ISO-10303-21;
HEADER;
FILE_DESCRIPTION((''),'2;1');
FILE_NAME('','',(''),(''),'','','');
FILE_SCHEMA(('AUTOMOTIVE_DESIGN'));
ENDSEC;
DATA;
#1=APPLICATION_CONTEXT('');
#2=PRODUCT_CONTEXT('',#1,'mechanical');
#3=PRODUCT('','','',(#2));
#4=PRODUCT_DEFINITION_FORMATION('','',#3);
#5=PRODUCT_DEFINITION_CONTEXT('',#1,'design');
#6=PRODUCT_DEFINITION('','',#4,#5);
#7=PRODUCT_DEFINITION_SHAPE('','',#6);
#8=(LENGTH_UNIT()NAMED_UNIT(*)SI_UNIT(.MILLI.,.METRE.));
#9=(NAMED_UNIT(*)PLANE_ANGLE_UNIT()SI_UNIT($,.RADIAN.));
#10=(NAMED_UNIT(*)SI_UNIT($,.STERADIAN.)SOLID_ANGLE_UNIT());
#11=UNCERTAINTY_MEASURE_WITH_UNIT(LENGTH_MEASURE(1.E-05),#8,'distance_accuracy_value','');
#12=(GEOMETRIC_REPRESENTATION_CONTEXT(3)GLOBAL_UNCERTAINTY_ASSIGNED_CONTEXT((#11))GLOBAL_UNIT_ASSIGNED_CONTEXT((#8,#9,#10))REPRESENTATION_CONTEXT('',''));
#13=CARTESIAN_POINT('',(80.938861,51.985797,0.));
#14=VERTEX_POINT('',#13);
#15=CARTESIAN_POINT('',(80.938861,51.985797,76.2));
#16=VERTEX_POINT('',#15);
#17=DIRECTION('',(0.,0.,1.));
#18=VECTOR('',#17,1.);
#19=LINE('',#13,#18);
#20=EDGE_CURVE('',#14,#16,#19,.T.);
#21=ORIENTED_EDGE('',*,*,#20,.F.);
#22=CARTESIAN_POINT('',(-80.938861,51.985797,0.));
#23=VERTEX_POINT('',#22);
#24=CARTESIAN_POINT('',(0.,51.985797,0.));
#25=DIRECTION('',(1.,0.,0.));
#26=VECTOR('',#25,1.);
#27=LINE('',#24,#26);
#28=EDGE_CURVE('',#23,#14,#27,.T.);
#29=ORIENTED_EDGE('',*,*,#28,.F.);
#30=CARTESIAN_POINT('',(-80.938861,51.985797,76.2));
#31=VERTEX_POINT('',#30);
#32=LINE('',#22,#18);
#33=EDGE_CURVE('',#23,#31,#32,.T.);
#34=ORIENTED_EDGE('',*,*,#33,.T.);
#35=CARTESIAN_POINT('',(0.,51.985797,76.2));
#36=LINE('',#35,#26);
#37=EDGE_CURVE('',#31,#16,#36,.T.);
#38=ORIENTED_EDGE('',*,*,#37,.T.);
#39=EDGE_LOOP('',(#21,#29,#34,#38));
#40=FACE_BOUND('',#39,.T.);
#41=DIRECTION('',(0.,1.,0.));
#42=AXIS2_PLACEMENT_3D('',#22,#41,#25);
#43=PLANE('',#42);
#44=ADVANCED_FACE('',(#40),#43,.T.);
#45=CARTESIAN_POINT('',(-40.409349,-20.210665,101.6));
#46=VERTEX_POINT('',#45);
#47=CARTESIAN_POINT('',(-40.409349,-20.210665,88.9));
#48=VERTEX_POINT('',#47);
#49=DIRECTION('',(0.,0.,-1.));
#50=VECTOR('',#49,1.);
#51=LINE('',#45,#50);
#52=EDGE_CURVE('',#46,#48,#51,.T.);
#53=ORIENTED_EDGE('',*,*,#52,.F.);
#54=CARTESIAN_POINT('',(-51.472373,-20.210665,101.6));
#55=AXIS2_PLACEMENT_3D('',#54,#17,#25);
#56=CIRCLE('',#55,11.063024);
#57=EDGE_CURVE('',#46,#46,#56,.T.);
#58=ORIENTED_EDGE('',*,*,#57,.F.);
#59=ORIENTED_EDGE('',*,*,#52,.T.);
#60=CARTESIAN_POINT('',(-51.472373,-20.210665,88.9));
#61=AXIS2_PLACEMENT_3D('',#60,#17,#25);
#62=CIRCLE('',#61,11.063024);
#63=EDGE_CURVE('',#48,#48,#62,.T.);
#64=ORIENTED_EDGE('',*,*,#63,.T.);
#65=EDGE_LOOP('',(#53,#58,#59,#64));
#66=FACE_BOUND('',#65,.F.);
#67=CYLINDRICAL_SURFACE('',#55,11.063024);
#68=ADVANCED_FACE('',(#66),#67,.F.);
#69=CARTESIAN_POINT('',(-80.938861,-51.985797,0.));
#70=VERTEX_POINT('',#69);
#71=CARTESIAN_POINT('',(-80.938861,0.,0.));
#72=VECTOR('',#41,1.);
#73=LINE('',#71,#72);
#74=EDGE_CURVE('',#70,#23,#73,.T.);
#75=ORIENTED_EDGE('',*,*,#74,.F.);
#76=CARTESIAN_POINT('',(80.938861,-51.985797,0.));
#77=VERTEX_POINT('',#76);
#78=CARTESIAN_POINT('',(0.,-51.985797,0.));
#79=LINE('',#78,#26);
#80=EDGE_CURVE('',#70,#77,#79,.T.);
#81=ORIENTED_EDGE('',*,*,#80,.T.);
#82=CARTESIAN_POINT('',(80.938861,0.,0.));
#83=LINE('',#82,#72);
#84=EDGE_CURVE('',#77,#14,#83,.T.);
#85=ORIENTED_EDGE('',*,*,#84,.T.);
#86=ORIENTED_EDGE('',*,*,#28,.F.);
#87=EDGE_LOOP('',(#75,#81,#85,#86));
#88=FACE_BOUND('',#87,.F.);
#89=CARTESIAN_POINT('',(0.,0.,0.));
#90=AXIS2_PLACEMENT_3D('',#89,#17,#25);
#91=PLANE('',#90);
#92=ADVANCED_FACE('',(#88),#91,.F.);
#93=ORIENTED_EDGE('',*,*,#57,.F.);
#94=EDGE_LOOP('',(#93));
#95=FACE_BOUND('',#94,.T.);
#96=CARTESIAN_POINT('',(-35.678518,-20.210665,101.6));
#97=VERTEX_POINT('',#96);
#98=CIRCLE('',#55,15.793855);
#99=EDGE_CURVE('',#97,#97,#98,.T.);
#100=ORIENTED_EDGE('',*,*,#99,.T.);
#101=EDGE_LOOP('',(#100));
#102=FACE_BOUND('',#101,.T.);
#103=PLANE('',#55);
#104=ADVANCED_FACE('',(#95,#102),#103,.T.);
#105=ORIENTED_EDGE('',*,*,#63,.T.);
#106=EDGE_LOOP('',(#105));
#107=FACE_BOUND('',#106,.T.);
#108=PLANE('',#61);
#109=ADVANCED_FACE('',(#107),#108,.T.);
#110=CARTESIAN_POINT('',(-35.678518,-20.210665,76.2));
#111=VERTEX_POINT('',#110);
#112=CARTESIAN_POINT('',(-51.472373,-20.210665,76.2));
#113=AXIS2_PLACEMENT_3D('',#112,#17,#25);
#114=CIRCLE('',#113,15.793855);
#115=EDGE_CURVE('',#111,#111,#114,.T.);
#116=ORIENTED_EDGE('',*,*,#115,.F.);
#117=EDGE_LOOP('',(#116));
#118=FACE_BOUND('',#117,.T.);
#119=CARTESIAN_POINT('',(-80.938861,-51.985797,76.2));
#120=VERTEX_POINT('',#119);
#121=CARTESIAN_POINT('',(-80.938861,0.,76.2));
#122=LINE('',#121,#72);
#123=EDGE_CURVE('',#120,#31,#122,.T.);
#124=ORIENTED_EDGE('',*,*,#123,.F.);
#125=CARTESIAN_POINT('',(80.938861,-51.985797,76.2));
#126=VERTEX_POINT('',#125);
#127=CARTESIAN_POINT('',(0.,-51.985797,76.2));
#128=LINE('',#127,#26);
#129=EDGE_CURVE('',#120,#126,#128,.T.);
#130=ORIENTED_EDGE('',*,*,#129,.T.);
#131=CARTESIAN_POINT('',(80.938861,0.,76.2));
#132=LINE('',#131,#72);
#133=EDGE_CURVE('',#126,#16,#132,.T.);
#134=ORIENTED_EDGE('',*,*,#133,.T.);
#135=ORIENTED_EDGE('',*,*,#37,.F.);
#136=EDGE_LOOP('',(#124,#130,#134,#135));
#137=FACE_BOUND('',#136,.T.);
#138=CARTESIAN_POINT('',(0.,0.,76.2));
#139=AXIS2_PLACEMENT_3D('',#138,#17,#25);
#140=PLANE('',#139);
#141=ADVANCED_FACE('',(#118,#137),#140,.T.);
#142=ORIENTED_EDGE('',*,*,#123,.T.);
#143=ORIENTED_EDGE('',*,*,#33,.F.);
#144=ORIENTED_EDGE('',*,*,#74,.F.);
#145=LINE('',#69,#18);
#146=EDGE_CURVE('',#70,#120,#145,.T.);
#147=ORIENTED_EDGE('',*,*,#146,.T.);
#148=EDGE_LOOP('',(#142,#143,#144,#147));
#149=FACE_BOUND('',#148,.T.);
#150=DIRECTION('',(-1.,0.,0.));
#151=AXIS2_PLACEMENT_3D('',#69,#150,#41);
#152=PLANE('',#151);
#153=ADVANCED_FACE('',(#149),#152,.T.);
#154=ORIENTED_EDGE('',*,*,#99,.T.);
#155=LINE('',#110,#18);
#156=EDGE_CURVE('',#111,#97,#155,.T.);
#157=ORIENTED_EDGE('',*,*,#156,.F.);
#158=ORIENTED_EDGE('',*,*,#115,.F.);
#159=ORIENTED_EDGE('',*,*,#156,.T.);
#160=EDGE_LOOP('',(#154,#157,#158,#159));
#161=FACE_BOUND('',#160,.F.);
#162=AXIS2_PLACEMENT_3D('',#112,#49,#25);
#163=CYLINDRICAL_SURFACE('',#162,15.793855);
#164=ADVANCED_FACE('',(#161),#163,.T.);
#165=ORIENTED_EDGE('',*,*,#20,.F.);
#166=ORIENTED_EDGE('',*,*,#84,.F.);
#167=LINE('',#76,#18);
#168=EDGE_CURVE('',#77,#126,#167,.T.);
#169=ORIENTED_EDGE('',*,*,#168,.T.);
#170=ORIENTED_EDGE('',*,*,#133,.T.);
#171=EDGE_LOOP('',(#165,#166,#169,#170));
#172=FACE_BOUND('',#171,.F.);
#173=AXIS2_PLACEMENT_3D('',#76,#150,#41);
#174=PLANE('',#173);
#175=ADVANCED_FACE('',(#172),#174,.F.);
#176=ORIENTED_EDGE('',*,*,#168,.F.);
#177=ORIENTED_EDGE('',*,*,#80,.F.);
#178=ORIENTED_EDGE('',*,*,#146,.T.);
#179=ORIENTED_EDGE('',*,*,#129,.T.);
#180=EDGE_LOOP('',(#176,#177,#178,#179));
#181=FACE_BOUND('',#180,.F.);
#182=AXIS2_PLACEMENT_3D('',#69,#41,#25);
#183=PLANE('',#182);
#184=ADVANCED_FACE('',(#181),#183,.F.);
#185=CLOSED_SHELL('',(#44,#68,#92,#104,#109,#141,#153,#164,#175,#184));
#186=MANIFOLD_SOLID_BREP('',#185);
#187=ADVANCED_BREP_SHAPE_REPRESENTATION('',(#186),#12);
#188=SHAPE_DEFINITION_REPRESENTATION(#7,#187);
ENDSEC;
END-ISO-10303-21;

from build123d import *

# Parameters (mm, degrees)
F0_W     = 161.877722
F0_H     = 103.971594
F1_DEPTH = 76.2
F2_R     = 15.793855
F3_DEPTH = 25.4
F4_R     = 11.063024
F5_DEPTH = 12.7


with BuildPart() as f1:
    # F0 (on Top) → F1 (new body)
    with BuildSketch(Plane.XY):
        Rectangle(F0_W, F0_H)
    extrude(amount=F1_DEPTH)

    # F2 (on face) → F3 (join)
    with BuildSketch(Plane.XY.offset(76.2)):
        with Locations((-51.472373, -20.210665)):
            Circle(F2_R)
    extrude(amount=F3_DEPTH)

    # F4 (on face) → F5 (cut, symmetric)
    with BuildSketch(Plane.XY.offset(101.6)):
        with Locations((-51.472373, -20.210665)):
            Circle(F4_R)
    extrude(amount=-F5_DEPTH, both=True, mode=Mode.SUBTRACT)


solid = f1.part
